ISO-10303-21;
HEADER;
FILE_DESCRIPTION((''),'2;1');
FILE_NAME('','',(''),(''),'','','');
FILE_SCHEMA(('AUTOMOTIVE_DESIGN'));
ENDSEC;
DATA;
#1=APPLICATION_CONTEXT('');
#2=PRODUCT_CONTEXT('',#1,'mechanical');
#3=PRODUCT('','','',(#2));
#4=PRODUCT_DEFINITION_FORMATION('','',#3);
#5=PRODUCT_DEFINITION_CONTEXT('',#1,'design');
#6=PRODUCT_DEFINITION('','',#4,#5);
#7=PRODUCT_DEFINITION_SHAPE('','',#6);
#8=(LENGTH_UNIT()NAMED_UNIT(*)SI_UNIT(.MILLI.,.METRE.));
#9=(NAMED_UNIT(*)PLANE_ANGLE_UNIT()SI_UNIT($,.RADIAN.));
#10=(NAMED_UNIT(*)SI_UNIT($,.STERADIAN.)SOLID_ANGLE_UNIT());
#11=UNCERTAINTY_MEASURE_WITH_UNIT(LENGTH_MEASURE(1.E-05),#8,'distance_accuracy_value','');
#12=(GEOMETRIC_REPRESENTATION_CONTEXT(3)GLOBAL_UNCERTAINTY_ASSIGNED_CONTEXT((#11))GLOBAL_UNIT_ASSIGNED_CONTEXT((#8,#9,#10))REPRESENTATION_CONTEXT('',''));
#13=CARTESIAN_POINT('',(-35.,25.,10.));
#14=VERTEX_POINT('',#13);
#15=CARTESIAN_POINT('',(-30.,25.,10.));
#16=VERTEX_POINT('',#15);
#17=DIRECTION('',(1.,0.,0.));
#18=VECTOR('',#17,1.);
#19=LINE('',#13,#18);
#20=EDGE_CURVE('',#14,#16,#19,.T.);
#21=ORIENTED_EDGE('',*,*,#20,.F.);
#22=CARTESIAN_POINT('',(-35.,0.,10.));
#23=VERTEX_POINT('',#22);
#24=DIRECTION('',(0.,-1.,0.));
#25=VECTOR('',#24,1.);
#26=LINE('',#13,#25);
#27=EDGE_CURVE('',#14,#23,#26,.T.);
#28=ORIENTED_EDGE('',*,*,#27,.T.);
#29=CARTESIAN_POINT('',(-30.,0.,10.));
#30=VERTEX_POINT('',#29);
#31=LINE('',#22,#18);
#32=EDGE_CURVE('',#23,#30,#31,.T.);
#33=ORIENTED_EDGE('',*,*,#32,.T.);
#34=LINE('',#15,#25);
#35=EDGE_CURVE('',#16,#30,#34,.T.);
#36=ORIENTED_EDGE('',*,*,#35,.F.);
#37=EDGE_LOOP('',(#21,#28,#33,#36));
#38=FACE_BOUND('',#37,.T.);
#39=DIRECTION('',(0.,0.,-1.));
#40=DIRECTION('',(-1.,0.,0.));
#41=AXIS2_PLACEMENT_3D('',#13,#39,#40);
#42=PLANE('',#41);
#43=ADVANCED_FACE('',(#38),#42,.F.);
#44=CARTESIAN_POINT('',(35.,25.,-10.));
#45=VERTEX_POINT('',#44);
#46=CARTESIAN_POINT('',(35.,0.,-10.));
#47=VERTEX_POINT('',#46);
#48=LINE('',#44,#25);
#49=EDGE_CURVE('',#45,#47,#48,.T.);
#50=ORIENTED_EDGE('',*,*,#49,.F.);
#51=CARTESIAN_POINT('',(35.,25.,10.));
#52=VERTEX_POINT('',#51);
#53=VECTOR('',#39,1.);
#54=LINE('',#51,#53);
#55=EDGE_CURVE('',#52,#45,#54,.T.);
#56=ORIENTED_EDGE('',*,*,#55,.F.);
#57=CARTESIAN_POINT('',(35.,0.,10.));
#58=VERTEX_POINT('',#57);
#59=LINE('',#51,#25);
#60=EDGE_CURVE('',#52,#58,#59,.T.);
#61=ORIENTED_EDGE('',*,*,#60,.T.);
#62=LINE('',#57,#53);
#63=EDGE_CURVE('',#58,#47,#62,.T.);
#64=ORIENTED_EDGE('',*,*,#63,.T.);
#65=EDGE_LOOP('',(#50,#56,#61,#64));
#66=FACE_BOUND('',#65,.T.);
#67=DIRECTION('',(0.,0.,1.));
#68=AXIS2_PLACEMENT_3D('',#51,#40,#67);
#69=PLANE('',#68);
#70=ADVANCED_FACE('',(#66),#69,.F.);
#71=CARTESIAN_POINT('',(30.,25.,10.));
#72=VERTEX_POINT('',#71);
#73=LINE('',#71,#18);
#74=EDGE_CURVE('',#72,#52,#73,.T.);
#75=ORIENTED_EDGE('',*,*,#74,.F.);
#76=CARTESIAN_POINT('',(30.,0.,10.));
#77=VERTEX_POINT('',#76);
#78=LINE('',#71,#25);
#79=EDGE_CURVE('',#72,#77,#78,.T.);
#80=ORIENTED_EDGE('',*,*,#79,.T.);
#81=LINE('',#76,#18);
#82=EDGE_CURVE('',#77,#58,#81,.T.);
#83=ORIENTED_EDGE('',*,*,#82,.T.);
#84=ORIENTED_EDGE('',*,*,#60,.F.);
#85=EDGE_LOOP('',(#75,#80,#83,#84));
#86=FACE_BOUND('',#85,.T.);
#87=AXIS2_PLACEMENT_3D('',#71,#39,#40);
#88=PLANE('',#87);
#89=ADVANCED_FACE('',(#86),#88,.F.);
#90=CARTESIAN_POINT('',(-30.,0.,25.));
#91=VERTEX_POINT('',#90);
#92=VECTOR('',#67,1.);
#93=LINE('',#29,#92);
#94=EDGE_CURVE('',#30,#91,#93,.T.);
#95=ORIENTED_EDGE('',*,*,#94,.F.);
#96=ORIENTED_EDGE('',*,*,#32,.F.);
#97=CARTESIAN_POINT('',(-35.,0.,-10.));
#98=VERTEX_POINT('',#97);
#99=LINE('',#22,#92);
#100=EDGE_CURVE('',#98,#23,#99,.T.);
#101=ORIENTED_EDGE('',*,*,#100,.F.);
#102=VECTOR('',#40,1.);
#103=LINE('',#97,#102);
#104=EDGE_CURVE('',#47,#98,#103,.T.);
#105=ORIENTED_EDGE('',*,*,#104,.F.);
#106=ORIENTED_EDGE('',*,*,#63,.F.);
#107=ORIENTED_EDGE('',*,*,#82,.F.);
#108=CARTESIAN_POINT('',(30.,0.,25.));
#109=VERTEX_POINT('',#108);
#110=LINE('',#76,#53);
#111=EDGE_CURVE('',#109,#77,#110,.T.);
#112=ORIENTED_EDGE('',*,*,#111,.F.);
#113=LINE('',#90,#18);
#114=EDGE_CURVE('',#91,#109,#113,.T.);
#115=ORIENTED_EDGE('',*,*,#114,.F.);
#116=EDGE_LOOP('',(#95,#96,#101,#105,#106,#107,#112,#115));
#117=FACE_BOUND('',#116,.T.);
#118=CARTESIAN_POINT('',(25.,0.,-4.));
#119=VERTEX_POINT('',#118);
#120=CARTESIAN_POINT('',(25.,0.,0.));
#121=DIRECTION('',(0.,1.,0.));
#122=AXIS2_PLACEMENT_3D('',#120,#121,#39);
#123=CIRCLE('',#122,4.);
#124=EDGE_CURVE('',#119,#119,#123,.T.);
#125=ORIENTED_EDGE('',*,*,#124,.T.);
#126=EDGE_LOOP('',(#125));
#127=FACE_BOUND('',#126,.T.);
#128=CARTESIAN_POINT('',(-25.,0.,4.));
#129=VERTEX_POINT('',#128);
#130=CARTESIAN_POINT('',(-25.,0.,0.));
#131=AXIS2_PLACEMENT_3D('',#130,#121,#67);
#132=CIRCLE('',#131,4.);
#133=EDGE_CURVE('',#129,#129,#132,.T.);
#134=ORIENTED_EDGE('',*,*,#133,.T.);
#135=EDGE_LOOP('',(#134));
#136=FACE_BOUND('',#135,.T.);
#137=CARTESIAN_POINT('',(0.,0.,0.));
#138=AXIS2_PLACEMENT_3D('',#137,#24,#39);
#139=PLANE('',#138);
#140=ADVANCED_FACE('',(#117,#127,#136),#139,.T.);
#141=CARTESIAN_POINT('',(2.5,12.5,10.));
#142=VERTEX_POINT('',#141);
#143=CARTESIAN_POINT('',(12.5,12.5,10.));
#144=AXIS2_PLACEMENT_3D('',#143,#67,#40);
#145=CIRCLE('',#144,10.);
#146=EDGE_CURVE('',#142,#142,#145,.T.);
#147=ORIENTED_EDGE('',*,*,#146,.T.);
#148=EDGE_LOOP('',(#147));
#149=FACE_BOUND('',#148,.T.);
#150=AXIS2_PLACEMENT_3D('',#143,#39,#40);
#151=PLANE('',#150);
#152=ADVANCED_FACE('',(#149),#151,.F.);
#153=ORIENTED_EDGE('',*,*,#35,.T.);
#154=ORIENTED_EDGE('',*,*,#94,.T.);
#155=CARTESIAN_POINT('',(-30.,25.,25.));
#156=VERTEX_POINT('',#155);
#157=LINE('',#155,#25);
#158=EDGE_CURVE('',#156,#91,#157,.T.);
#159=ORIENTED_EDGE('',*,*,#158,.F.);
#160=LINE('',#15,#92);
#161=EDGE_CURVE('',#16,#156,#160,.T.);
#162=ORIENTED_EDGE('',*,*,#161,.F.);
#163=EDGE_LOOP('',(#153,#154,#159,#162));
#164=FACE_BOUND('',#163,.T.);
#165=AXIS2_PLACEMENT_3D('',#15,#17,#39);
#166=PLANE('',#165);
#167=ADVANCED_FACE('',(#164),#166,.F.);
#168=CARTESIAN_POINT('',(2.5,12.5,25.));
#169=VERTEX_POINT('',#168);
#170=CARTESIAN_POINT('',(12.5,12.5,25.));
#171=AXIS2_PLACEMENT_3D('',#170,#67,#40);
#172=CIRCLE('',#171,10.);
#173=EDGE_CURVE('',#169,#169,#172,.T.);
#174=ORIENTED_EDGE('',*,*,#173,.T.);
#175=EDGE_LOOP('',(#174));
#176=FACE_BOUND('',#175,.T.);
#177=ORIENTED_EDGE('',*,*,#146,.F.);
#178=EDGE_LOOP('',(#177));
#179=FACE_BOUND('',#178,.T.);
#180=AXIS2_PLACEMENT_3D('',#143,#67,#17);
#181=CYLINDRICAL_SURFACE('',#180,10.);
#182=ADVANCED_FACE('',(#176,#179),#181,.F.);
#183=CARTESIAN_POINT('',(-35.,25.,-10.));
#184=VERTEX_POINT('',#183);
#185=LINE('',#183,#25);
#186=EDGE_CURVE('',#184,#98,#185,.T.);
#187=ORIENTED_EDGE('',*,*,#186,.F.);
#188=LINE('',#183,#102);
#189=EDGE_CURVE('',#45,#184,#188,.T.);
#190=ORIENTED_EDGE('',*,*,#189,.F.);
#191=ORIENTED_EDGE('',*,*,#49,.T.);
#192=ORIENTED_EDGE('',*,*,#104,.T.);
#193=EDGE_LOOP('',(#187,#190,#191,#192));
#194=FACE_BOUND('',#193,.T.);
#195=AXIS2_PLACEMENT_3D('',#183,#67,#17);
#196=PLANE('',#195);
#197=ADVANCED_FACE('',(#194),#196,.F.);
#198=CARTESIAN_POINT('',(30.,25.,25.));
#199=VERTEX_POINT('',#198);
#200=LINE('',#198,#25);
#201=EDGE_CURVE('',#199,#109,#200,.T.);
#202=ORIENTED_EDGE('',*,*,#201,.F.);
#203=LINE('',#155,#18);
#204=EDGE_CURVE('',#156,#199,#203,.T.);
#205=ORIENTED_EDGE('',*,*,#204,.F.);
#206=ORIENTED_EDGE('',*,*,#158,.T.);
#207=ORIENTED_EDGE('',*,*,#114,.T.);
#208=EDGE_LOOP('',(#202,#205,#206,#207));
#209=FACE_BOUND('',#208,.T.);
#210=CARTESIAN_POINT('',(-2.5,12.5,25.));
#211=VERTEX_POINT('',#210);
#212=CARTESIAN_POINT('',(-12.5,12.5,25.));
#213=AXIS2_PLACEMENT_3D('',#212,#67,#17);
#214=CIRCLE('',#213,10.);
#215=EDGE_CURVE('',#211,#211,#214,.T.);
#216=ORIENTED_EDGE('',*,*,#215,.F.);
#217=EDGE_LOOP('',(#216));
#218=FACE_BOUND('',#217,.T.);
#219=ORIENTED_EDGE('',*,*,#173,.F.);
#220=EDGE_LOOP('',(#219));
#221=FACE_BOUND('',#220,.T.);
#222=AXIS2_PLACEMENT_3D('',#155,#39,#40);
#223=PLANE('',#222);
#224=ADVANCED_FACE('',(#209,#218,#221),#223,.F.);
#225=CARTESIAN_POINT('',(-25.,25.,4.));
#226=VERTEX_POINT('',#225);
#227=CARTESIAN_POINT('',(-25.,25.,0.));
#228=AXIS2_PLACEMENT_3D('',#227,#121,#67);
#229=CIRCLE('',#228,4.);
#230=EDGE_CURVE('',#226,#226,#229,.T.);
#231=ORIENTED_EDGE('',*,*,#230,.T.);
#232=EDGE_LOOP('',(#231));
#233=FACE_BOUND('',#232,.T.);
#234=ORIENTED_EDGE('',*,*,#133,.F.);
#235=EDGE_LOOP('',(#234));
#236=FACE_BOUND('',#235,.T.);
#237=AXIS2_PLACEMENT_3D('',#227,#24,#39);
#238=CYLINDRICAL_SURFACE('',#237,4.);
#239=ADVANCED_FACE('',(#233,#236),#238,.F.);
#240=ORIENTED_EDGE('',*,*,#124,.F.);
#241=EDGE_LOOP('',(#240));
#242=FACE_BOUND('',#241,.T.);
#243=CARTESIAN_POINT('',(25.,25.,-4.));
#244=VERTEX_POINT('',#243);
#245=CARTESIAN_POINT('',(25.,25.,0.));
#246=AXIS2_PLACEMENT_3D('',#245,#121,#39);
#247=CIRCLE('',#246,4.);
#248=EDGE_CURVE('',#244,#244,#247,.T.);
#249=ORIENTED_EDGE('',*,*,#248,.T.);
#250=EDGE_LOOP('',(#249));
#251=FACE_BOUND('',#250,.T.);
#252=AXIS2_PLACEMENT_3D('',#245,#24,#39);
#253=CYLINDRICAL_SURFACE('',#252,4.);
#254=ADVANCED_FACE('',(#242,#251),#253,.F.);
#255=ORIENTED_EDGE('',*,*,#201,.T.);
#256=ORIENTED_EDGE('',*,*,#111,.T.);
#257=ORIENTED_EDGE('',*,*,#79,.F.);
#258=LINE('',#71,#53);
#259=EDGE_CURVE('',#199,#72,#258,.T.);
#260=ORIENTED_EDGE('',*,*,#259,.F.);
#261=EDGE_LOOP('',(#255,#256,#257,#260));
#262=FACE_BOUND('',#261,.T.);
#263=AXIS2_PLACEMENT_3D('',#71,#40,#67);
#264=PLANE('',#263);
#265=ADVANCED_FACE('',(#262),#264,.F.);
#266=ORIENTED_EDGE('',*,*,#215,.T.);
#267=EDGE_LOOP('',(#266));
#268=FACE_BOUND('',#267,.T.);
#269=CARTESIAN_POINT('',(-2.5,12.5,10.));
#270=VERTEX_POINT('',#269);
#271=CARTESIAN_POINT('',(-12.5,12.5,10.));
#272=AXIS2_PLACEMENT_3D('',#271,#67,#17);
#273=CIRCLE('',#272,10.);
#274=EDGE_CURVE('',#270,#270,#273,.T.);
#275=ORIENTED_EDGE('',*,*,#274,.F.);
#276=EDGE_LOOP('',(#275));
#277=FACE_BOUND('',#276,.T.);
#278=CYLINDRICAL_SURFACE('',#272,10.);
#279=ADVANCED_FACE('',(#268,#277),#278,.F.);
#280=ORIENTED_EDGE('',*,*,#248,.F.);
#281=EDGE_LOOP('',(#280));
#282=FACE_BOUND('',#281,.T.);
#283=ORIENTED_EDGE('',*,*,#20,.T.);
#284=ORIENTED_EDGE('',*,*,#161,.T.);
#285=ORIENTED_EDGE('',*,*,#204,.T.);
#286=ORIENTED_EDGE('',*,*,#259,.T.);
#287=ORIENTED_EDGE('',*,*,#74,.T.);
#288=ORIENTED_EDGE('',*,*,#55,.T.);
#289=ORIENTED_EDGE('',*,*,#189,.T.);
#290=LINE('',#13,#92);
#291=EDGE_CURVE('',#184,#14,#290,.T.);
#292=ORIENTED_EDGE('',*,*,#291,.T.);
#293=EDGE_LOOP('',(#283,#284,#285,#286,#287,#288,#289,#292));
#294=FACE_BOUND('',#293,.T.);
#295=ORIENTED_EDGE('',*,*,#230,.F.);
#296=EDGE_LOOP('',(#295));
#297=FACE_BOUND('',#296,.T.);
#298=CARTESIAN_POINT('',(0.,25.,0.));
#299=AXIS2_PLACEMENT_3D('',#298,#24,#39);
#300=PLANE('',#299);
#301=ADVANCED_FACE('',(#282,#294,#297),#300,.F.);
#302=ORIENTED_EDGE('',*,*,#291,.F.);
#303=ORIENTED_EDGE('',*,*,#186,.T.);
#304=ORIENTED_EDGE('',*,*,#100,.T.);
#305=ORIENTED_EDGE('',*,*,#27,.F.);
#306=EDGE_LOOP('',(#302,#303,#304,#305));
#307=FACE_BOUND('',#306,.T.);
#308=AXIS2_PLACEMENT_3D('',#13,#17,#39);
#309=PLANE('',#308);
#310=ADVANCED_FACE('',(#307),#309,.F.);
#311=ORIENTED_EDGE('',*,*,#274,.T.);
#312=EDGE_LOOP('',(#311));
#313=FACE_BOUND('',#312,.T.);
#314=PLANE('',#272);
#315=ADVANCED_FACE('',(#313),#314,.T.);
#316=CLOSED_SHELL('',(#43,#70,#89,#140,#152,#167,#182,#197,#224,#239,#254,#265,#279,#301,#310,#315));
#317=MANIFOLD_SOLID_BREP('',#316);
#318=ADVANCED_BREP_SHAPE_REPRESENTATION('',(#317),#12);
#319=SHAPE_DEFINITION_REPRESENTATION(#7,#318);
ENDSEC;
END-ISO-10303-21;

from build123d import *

# Parameters (mm, degrees)
SKETCH1_R           = 4
BOSS_EXTRUDE1_DEPTH = 25
SKETCH2_R           = 10
CUT_EXTRUDE1_DEPTH  = 15


with BuildPart() as part:
    # Sketch1 → Boss-Extrude1 (new body)
    with BuildSketch(Plane(origin=(0, 0, 0), x_dir=(1, 0, 0), z_dir=(0, 1, 0))):
        Polygon((-35, -10), (-30, -10), (-30, -25), (30, -25), (30, -10), (35, -10), (35, 10), (-35, 10), align=None)
        with Locations(Location((-25, 0, 0), (0, 0, 270))):
            Circle(SKETCH1_R, mode=Mode.SUBTRACT)
        with Locations(Location((25, 0, 0), (0, 0, 90))):
            Circle(SKETCH1_R, mode=Mode.SUBTRACT)
    extrude(amount=BOSS_EXTRUDE1_DEPTH)

    # Sketch2 → Cut-Extrude1 (cut)
    with BuildSketch(Plane.XY.offset(25)):
        with Locations((-12.5, 12.5)):
            Circle(SKETCH2_R)
        with Locations(Location((12.5, 12.5, 0), (0, 0, 180))):
            Circle(SKETCH2_R)
    extrude(amount=-CUT_EXTRUDE1_DEPTH, mode=Mode.SUBTRACT)


solid = part.part
